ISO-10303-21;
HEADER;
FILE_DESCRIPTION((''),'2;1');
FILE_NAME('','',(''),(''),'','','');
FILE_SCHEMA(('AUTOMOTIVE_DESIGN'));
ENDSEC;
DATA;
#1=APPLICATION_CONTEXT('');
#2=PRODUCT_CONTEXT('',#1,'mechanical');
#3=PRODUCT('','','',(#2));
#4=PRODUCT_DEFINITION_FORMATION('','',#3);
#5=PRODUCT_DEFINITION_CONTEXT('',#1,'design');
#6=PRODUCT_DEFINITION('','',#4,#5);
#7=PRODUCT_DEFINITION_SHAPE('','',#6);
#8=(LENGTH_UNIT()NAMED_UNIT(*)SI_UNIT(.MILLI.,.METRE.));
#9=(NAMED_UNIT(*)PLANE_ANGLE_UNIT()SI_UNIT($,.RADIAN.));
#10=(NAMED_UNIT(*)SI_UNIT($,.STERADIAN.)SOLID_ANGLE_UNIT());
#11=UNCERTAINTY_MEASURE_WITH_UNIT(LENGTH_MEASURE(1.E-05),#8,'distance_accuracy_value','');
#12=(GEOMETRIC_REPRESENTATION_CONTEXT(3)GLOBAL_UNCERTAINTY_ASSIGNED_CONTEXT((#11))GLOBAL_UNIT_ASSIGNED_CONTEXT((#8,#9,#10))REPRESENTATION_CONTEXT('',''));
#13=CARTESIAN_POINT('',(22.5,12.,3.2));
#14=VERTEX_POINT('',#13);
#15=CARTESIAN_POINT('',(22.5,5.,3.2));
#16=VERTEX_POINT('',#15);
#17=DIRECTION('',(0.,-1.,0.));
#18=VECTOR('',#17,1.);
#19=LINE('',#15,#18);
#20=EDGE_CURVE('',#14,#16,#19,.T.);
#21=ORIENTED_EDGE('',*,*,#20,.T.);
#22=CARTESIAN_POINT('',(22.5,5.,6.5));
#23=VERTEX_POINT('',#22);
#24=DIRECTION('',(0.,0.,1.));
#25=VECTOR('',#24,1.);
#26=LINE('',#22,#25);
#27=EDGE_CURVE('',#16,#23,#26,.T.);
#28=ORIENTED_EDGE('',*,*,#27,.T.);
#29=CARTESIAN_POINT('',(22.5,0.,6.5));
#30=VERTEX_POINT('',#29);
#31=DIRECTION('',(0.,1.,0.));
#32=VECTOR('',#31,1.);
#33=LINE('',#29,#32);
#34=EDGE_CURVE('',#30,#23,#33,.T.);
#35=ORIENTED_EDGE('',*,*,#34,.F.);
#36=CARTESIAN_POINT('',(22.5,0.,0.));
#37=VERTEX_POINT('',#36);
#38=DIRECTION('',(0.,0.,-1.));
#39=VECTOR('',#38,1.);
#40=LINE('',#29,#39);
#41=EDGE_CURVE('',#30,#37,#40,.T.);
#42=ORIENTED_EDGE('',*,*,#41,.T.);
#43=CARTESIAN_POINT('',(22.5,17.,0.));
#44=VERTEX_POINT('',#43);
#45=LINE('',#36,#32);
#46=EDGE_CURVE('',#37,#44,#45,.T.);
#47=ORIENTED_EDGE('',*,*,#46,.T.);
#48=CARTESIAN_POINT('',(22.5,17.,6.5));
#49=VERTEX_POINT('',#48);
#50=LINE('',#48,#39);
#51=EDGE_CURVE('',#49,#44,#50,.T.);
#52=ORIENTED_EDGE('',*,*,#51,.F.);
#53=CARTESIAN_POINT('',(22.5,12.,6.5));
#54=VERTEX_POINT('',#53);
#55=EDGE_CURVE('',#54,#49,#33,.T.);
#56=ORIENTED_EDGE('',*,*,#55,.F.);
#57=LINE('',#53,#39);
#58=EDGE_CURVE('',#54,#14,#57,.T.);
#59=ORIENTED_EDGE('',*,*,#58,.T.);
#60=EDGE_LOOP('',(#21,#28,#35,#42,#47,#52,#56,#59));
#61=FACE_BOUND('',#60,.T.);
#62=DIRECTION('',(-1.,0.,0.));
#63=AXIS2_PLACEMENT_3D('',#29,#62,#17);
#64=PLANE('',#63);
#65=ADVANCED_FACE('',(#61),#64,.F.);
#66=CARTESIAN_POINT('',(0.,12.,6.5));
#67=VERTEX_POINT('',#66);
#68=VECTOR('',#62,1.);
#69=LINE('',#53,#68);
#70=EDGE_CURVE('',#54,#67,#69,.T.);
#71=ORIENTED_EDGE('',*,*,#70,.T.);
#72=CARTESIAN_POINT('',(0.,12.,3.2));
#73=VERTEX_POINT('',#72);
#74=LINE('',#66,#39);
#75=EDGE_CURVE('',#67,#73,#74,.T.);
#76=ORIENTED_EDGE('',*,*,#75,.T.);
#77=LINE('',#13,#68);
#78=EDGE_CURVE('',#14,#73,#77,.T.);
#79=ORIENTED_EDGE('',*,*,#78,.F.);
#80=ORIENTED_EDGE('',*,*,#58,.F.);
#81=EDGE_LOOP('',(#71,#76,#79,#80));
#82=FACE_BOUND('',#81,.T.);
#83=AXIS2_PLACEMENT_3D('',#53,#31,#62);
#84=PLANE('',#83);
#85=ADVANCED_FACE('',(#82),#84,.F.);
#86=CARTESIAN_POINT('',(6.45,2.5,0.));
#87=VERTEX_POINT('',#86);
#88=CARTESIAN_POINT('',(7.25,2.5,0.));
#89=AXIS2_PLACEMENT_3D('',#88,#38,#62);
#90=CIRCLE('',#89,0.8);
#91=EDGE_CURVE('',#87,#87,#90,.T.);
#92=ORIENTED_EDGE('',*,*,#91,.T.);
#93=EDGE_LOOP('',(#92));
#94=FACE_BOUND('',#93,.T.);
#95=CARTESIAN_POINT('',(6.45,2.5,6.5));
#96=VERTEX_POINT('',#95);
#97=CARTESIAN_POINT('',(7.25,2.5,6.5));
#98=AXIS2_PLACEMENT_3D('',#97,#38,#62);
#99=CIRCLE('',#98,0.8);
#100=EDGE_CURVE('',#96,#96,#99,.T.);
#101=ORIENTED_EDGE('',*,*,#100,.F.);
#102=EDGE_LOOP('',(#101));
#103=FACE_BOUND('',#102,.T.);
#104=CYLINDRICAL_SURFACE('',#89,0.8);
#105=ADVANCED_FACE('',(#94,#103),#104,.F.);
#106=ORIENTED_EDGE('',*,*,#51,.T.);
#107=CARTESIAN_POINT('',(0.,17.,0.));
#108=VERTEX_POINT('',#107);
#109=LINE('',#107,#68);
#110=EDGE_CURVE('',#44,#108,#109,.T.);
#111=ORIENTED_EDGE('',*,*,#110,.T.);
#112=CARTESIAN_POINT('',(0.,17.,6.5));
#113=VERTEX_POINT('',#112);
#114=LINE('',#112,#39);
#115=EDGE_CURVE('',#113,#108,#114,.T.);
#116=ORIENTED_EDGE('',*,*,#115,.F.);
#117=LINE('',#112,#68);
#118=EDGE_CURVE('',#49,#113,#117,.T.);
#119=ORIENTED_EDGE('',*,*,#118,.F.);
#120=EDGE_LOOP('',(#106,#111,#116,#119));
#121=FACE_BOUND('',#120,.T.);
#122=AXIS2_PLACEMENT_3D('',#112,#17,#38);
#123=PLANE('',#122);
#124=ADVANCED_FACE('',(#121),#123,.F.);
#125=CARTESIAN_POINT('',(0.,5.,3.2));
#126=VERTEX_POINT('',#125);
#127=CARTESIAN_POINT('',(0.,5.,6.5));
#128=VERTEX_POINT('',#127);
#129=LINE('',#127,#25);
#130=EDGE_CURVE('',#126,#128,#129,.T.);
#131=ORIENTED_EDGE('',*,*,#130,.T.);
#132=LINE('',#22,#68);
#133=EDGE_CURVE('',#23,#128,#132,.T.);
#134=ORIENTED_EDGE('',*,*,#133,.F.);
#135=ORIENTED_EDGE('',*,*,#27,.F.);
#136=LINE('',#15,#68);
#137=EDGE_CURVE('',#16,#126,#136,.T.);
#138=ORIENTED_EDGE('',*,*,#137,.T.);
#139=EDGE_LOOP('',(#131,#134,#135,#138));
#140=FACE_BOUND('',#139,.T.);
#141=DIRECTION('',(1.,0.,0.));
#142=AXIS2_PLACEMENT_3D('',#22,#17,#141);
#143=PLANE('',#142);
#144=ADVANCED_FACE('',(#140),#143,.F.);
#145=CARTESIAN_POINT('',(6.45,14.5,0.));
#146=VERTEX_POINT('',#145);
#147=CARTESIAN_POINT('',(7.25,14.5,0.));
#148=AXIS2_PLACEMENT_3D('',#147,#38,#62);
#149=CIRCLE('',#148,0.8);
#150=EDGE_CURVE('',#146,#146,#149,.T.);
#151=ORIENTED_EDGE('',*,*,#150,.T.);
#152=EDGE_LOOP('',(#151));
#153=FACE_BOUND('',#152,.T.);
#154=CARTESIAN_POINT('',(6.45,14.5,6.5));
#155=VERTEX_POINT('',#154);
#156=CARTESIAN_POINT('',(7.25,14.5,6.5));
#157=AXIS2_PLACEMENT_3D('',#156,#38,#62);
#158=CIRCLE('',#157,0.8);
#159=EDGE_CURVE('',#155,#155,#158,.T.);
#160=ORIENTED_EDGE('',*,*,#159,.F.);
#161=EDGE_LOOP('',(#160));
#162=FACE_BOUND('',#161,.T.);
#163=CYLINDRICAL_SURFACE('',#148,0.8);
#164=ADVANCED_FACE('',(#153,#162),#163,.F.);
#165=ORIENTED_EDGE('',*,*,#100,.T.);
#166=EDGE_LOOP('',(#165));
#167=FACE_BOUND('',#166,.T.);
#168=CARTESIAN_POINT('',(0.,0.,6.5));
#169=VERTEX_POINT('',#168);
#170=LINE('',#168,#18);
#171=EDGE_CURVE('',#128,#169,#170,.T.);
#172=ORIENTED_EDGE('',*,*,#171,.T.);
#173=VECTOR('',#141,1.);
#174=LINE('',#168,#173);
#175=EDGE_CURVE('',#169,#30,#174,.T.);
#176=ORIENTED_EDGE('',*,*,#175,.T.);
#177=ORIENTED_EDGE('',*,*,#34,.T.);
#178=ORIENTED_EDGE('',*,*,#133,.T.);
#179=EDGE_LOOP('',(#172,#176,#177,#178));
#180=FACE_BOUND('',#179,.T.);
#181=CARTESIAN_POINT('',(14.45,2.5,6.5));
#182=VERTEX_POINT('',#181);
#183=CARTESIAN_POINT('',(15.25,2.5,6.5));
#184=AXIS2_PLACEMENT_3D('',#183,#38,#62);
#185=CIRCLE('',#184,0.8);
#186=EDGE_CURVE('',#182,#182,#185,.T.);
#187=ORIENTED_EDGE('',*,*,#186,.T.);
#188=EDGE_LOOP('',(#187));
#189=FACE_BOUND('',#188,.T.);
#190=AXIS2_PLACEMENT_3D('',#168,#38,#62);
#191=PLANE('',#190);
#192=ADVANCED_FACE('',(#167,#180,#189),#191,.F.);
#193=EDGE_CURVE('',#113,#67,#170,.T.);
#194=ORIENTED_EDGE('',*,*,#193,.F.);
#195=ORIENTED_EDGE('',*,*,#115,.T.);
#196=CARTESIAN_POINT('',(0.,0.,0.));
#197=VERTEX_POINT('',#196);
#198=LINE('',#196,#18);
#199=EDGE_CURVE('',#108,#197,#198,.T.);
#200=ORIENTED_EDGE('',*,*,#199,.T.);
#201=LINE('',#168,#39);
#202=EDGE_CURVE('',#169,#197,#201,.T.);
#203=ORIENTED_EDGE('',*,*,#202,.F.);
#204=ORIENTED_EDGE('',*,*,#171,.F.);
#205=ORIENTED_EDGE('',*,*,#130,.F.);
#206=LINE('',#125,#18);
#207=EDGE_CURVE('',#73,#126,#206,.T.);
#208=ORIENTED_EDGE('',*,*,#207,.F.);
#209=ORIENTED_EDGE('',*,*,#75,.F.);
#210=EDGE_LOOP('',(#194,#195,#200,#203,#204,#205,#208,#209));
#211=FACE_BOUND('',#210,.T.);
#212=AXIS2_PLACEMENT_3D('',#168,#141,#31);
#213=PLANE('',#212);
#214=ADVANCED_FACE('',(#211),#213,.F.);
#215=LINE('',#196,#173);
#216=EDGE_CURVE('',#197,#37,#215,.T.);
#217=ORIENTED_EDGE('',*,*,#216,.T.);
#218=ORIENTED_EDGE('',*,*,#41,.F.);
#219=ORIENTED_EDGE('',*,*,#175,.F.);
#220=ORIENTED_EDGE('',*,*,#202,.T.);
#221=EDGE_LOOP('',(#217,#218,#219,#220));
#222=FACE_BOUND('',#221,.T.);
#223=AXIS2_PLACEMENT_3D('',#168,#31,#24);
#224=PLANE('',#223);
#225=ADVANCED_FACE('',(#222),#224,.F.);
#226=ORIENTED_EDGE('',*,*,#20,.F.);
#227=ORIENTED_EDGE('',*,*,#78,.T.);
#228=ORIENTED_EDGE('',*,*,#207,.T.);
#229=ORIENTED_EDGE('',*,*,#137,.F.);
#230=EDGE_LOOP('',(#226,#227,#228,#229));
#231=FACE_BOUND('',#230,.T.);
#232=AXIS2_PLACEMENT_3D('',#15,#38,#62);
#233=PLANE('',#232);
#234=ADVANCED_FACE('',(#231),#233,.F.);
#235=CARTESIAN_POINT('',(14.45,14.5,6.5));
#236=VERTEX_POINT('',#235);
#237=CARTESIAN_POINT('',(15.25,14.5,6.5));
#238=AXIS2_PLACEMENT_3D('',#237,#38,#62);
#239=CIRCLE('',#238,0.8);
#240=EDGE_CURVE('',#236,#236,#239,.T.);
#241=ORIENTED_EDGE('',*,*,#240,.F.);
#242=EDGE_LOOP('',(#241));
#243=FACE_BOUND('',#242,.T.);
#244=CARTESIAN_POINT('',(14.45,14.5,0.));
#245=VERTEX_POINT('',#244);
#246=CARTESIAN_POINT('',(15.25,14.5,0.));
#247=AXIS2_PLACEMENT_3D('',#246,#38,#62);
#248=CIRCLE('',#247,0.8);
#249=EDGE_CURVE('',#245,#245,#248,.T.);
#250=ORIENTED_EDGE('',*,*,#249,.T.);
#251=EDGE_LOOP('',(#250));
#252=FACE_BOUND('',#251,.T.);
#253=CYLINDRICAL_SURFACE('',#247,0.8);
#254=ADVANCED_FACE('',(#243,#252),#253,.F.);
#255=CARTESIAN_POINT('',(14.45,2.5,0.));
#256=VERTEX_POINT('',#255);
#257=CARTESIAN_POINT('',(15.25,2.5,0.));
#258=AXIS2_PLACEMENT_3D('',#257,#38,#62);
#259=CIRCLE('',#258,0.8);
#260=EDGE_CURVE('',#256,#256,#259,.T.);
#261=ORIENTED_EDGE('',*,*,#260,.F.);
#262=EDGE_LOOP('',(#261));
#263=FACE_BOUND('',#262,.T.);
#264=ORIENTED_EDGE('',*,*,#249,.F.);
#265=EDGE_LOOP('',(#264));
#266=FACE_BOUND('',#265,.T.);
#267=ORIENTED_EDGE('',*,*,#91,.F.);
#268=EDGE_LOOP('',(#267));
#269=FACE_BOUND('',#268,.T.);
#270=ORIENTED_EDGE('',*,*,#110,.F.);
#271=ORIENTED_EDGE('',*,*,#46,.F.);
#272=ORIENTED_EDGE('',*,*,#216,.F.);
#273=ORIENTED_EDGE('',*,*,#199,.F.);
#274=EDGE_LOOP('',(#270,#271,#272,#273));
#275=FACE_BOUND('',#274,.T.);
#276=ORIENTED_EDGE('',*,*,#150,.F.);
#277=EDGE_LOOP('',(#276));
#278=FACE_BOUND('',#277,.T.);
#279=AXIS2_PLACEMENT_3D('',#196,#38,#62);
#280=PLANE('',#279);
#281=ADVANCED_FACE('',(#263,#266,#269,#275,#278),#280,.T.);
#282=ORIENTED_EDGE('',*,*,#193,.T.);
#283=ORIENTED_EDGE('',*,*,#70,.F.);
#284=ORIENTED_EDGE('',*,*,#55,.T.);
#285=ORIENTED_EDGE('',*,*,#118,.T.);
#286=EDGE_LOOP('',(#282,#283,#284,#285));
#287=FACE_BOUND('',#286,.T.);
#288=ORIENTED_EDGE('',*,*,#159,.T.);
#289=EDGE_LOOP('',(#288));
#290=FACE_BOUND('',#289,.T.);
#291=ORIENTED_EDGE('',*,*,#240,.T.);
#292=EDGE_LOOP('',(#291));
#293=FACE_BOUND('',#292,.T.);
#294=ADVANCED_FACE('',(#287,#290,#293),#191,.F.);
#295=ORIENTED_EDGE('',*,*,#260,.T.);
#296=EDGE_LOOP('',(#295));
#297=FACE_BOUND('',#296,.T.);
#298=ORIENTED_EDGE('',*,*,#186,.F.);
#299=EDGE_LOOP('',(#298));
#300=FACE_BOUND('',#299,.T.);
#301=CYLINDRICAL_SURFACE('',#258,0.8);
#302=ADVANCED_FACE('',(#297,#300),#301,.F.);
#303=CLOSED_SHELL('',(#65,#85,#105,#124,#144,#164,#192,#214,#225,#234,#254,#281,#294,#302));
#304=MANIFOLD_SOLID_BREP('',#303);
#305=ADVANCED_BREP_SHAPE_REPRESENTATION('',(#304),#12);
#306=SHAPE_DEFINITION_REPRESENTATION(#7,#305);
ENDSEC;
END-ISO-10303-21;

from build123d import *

# Parameters (mm, degrees)
SKETCH_1_W             = 22.5
SKETCH_1_H             = 17
EXTRUDE_1_DEPTH        = 6.5
SKETCH_2_W             = 3.3
SKETCH_2_H             = 7
CUT_EXTRUDE_1_DEPTH    = 23.5
HOLE_WIZARD_M2_1_D     = 1.6
HOLE_WIZARD_M2_1_DEPTH = 10.1
HOLE_WIZARD_M2_1_TIP   = 0.480688495


with BuildPart() as part:
    # 草图1 → 凸台-拉伸1 (new body)
    with BuildSketch(Plane.XY):
        with Locations((11.25, 8.5)):
            Rectangle(SKETCH_1_W, SKETCH_1_H)
    extrude(amount=EXTRUDE_1_DEPTH)

    # 草图2 → 切除-拉伸1 (cut, through all)
    with BuildSketch(Plane.ZY):
        with Locations((4.85, 8.5)):
            Rectangle(SKETCH_2_W, SKETCH_2_H)
    extrude(amount=-CUT_EXTRUDE_1_DEPTH, mode=Mode.SUBTRACT)

    # M2 螺纹孔1
    with Locations(Plane(origin=(0, 0, 0), x_dir=(-1, 0, 0), z_dir=(0, 0, -1))):
        with Locations((-15.25, 2.5), (-7.25, 2.5), (-15.25, 14.5), (-7.25, 14.5)):
            Hole(HOLE_WIZARD_M2_1_D / 2, depth=HOLE_WIZARD_M2_1_DEPTH)
            with Locations((0, 0, -(HOLE_WIZARD_M2_1_DEPTH + HOLE_WIZARD_M2_1_TIP / 2))):  # 118° drill point
                Cone(0, HOLE_WIZARD_M2_1_D / 2, HOLE_WIZARD_M2_1_TIP, mode=Mode.SUBTRACT)


solid = part.part
